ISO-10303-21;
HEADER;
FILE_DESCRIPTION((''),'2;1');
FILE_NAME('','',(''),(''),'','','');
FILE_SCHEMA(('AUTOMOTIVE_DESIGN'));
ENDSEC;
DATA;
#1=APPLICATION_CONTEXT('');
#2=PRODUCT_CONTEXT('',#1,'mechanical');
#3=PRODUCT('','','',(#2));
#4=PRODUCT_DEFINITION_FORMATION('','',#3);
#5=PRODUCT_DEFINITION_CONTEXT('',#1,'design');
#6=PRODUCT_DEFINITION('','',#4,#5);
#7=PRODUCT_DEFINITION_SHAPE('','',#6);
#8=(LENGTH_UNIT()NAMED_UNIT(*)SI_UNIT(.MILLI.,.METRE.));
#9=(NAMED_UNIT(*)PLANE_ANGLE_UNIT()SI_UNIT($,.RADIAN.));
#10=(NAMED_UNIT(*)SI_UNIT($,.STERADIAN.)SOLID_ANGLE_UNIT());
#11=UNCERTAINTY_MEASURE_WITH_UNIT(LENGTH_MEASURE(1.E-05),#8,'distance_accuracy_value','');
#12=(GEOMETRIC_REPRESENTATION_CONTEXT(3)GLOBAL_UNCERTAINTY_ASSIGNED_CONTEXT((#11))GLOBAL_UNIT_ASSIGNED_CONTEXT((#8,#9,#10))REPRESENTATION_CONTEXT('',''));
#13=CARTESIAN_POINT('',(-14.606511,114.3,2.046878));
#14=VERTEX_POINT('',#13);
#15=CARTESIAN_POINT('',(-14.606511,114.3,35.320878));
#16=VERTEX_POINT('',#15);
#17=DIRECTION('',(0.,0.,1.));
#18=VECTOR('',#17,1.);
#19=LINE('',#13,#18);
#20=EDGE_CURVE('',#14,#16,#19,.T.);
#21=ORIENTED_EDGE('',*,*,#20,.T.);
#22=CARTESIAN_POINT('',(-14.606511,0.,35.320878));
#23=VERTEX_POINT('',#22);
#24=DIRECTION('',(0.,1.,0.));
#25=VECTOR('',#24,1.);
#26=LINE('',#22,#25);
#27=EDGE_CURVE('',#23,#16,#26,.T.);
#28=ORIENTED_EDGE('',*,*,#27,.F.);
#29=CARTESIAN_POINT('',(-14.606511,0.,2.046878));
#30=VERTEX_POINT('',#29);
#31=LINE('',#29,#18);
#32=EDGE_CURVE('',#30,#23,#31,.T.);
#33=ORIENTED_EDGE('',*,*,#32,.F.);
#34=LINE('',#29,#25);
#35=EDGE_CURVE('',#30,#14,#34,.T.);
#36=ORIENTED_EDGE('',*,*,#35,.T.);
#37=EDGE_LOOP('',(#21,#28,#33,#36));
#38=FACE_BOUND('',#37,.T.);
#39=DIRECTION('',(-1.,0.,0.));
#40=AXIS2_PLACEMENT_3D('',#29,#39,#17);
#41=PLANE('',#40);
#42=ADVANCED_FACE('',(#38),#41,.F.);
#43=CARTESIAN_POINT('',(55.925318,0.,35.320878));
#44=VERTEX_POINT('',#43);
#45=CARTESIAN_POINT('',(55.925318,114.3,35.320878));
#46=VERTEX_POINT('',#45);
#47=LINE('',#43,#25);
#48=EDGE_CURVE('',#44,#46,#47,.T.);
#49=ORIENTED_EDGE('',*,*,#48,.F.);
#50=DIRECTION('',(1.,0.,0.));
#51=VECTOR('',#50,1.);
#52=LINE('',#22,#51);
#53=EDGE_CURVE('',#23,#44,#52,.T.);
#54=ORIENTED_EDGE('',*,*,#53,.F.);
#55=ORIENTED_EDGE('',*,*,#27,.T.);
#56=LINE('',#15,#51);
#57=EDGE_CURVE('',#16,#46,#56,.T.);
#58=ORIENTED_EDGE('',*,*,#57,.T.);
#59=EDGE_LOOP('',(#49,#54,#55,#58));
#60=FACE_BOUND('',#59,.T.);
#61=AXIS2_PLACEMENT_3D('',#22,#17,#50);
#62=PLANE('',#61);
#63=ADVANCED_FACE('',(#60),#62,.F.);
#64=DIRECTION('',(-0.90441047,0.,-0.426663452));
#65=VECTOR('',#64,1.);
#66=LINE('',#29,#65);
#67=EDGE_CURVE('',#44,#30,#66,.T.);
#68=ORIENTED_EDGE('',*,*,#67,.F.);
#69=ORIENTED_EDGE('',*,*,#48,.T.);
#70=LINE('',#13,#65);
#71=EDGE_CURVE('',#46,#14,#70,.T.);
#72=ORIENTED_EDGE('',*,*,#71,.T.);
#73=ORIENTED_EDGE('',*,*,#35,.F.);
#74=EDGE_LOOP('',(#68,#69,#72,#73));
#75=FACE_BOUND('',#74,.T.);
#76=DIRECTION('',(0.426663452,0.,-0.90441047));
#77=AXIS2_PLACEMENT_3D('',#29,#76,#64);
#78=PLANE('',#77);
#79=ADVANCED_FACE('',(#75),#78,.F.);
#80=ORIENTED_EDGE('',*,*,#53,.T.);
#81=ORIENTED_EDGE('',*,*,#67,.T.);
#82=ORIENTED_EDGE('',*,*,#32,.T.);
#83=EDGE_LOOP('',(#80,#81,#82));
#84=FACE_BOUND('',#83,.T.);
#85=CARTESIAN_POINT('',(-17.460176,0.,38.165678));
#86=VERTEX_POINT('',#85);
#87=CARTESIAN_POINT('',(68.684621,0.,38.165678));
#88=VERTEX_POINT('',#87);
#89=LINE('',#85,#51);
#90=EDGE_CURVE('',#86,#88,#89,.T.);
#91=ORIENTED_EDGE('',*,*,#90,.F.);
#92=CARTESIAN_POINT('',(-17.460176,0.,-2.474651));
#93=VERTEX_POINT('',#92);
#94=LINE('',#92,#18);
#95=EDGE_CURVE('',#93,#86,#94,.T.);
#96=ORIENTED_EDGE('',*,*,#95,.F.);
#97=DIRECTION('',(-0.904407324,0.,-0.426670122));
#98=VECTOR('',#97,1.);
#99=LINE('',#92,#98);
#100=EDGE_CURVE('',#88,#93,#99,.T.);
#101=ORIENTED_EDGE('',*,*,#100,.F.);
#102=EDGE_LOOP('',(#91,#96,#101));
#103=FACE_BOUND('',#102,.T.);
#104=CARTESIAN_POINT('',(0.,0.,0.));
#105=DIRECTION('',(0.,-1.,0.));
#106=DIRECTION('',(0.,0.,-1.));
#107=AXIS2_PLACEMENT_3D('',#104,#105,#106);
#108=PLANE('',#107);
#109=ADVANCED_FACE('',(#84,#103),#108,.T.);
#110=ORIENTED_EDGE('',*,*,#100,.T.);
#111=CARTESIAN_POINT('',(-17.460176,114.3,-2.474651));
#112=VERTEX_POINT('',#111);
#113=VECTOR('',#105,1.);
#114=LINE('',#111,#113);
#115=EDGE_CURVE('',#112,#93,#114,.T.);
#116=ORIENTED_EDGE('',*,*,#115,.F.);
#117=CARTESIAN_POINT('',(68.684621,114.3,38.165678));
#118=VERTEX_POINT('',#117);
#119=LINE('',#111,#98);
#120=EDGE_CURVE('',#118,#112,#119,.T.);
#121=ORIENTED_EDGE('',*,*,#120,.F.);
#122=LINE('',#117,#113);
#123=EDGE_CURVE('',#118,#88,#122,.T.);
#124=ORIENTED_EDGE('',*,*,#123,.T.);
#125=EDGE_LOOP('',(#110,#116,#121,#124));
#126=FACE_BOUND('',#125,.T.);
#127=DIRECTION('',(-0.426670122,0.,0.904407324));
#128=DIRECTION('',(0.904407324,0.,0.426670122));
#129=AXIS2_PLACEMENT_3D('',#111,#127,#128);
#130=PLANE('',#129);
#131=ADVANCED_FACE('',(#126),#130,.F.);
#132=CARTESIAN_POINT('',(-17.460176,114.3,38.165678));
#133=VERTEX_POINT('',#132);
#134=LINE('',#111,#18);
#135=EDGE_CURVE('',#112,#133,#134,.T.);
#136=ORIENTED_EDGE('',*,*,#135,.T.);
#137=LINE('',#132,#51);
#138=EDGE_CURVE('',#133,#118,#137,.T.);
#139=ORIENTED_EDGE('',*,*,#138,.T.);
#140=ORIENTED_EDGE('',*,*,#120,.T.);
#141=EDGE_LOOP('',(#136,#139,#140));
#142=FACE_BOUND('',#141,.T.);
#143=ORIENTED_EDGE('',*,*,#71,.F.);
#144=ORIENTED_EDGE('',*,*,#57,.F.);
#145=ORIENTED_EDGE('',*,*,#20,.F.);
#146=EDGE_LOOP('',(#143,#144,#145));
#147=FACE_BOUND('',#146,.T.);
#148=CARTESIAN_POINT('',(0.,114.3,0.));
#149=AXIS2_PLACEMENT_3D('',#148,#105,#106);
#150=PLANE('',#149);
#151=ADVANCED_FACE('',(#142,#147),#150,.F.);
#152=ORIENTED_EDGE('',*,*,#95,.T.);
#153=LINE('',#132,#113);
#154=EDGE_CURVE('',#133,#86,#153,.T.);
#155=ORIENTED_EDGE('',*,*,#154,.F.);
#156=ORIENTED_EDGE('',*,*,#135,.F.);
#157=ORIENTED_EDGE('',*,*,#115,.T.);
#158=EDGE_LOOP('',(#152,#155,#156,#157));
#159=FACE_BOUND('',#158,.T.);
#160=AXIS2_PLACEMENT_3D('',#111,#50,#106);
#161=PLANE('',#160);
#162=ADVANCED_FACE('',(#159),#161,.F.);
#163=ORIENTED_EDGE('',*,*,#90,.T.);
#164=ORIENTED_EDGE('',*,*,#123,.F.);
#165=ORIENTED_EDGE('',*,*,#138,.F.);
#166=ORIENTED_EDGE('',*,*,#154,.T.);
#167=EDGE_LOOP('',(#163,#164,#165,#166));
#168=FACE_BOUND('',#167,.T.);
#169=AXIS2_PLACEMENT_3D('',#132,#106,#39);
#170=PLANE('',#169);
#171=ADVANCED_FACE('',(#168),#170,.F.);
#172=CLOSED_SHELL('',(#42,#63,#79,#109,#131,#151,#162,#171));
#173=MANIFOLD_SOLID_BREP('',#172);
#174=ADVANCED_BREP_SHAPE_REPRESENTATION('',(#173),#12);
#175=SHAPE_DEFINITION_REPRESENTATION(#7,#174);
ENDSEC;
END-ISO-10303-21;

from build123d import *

# Parameters (mm, degrees)
BOSS_EXTRUDE1_DEPTH = 114.3
CUT_EXTRUDE1_DEPTH  = 114.3


with BuildPart() as part:
    # Sketch1 → Boss-Extrude1 (new body)
    with BuildSketch(Plane(origin=(0, 0, 0), x_dir=(1, 0, 0), z_dir=(0, 1, 0))):
        Polygon((-17.460176096, 2.474651476), (-17.460176096, -38.165677622), (68.684621489, -38.165677622), align=None)
    extrude(amount=BOSS_EXTRUDE1_DEPTH)

    # Sketch2 → Cut-Extrude1 (cut)
    with BuildSketch(Plane(origin=(0, 114.3, 0), x_dir=(1, 0, 0), z_dir=(0, 1, 0))):
        Polygon((-14.606511496, -2.046877622), (-14.606511496, -35.320877622), (55.92531835, -35.320877622), align=None)
    extrude(amount=-CUT_EXTRUDE1_DEPTH, mode=Mode.SUBTRACT)


solid = part.part
